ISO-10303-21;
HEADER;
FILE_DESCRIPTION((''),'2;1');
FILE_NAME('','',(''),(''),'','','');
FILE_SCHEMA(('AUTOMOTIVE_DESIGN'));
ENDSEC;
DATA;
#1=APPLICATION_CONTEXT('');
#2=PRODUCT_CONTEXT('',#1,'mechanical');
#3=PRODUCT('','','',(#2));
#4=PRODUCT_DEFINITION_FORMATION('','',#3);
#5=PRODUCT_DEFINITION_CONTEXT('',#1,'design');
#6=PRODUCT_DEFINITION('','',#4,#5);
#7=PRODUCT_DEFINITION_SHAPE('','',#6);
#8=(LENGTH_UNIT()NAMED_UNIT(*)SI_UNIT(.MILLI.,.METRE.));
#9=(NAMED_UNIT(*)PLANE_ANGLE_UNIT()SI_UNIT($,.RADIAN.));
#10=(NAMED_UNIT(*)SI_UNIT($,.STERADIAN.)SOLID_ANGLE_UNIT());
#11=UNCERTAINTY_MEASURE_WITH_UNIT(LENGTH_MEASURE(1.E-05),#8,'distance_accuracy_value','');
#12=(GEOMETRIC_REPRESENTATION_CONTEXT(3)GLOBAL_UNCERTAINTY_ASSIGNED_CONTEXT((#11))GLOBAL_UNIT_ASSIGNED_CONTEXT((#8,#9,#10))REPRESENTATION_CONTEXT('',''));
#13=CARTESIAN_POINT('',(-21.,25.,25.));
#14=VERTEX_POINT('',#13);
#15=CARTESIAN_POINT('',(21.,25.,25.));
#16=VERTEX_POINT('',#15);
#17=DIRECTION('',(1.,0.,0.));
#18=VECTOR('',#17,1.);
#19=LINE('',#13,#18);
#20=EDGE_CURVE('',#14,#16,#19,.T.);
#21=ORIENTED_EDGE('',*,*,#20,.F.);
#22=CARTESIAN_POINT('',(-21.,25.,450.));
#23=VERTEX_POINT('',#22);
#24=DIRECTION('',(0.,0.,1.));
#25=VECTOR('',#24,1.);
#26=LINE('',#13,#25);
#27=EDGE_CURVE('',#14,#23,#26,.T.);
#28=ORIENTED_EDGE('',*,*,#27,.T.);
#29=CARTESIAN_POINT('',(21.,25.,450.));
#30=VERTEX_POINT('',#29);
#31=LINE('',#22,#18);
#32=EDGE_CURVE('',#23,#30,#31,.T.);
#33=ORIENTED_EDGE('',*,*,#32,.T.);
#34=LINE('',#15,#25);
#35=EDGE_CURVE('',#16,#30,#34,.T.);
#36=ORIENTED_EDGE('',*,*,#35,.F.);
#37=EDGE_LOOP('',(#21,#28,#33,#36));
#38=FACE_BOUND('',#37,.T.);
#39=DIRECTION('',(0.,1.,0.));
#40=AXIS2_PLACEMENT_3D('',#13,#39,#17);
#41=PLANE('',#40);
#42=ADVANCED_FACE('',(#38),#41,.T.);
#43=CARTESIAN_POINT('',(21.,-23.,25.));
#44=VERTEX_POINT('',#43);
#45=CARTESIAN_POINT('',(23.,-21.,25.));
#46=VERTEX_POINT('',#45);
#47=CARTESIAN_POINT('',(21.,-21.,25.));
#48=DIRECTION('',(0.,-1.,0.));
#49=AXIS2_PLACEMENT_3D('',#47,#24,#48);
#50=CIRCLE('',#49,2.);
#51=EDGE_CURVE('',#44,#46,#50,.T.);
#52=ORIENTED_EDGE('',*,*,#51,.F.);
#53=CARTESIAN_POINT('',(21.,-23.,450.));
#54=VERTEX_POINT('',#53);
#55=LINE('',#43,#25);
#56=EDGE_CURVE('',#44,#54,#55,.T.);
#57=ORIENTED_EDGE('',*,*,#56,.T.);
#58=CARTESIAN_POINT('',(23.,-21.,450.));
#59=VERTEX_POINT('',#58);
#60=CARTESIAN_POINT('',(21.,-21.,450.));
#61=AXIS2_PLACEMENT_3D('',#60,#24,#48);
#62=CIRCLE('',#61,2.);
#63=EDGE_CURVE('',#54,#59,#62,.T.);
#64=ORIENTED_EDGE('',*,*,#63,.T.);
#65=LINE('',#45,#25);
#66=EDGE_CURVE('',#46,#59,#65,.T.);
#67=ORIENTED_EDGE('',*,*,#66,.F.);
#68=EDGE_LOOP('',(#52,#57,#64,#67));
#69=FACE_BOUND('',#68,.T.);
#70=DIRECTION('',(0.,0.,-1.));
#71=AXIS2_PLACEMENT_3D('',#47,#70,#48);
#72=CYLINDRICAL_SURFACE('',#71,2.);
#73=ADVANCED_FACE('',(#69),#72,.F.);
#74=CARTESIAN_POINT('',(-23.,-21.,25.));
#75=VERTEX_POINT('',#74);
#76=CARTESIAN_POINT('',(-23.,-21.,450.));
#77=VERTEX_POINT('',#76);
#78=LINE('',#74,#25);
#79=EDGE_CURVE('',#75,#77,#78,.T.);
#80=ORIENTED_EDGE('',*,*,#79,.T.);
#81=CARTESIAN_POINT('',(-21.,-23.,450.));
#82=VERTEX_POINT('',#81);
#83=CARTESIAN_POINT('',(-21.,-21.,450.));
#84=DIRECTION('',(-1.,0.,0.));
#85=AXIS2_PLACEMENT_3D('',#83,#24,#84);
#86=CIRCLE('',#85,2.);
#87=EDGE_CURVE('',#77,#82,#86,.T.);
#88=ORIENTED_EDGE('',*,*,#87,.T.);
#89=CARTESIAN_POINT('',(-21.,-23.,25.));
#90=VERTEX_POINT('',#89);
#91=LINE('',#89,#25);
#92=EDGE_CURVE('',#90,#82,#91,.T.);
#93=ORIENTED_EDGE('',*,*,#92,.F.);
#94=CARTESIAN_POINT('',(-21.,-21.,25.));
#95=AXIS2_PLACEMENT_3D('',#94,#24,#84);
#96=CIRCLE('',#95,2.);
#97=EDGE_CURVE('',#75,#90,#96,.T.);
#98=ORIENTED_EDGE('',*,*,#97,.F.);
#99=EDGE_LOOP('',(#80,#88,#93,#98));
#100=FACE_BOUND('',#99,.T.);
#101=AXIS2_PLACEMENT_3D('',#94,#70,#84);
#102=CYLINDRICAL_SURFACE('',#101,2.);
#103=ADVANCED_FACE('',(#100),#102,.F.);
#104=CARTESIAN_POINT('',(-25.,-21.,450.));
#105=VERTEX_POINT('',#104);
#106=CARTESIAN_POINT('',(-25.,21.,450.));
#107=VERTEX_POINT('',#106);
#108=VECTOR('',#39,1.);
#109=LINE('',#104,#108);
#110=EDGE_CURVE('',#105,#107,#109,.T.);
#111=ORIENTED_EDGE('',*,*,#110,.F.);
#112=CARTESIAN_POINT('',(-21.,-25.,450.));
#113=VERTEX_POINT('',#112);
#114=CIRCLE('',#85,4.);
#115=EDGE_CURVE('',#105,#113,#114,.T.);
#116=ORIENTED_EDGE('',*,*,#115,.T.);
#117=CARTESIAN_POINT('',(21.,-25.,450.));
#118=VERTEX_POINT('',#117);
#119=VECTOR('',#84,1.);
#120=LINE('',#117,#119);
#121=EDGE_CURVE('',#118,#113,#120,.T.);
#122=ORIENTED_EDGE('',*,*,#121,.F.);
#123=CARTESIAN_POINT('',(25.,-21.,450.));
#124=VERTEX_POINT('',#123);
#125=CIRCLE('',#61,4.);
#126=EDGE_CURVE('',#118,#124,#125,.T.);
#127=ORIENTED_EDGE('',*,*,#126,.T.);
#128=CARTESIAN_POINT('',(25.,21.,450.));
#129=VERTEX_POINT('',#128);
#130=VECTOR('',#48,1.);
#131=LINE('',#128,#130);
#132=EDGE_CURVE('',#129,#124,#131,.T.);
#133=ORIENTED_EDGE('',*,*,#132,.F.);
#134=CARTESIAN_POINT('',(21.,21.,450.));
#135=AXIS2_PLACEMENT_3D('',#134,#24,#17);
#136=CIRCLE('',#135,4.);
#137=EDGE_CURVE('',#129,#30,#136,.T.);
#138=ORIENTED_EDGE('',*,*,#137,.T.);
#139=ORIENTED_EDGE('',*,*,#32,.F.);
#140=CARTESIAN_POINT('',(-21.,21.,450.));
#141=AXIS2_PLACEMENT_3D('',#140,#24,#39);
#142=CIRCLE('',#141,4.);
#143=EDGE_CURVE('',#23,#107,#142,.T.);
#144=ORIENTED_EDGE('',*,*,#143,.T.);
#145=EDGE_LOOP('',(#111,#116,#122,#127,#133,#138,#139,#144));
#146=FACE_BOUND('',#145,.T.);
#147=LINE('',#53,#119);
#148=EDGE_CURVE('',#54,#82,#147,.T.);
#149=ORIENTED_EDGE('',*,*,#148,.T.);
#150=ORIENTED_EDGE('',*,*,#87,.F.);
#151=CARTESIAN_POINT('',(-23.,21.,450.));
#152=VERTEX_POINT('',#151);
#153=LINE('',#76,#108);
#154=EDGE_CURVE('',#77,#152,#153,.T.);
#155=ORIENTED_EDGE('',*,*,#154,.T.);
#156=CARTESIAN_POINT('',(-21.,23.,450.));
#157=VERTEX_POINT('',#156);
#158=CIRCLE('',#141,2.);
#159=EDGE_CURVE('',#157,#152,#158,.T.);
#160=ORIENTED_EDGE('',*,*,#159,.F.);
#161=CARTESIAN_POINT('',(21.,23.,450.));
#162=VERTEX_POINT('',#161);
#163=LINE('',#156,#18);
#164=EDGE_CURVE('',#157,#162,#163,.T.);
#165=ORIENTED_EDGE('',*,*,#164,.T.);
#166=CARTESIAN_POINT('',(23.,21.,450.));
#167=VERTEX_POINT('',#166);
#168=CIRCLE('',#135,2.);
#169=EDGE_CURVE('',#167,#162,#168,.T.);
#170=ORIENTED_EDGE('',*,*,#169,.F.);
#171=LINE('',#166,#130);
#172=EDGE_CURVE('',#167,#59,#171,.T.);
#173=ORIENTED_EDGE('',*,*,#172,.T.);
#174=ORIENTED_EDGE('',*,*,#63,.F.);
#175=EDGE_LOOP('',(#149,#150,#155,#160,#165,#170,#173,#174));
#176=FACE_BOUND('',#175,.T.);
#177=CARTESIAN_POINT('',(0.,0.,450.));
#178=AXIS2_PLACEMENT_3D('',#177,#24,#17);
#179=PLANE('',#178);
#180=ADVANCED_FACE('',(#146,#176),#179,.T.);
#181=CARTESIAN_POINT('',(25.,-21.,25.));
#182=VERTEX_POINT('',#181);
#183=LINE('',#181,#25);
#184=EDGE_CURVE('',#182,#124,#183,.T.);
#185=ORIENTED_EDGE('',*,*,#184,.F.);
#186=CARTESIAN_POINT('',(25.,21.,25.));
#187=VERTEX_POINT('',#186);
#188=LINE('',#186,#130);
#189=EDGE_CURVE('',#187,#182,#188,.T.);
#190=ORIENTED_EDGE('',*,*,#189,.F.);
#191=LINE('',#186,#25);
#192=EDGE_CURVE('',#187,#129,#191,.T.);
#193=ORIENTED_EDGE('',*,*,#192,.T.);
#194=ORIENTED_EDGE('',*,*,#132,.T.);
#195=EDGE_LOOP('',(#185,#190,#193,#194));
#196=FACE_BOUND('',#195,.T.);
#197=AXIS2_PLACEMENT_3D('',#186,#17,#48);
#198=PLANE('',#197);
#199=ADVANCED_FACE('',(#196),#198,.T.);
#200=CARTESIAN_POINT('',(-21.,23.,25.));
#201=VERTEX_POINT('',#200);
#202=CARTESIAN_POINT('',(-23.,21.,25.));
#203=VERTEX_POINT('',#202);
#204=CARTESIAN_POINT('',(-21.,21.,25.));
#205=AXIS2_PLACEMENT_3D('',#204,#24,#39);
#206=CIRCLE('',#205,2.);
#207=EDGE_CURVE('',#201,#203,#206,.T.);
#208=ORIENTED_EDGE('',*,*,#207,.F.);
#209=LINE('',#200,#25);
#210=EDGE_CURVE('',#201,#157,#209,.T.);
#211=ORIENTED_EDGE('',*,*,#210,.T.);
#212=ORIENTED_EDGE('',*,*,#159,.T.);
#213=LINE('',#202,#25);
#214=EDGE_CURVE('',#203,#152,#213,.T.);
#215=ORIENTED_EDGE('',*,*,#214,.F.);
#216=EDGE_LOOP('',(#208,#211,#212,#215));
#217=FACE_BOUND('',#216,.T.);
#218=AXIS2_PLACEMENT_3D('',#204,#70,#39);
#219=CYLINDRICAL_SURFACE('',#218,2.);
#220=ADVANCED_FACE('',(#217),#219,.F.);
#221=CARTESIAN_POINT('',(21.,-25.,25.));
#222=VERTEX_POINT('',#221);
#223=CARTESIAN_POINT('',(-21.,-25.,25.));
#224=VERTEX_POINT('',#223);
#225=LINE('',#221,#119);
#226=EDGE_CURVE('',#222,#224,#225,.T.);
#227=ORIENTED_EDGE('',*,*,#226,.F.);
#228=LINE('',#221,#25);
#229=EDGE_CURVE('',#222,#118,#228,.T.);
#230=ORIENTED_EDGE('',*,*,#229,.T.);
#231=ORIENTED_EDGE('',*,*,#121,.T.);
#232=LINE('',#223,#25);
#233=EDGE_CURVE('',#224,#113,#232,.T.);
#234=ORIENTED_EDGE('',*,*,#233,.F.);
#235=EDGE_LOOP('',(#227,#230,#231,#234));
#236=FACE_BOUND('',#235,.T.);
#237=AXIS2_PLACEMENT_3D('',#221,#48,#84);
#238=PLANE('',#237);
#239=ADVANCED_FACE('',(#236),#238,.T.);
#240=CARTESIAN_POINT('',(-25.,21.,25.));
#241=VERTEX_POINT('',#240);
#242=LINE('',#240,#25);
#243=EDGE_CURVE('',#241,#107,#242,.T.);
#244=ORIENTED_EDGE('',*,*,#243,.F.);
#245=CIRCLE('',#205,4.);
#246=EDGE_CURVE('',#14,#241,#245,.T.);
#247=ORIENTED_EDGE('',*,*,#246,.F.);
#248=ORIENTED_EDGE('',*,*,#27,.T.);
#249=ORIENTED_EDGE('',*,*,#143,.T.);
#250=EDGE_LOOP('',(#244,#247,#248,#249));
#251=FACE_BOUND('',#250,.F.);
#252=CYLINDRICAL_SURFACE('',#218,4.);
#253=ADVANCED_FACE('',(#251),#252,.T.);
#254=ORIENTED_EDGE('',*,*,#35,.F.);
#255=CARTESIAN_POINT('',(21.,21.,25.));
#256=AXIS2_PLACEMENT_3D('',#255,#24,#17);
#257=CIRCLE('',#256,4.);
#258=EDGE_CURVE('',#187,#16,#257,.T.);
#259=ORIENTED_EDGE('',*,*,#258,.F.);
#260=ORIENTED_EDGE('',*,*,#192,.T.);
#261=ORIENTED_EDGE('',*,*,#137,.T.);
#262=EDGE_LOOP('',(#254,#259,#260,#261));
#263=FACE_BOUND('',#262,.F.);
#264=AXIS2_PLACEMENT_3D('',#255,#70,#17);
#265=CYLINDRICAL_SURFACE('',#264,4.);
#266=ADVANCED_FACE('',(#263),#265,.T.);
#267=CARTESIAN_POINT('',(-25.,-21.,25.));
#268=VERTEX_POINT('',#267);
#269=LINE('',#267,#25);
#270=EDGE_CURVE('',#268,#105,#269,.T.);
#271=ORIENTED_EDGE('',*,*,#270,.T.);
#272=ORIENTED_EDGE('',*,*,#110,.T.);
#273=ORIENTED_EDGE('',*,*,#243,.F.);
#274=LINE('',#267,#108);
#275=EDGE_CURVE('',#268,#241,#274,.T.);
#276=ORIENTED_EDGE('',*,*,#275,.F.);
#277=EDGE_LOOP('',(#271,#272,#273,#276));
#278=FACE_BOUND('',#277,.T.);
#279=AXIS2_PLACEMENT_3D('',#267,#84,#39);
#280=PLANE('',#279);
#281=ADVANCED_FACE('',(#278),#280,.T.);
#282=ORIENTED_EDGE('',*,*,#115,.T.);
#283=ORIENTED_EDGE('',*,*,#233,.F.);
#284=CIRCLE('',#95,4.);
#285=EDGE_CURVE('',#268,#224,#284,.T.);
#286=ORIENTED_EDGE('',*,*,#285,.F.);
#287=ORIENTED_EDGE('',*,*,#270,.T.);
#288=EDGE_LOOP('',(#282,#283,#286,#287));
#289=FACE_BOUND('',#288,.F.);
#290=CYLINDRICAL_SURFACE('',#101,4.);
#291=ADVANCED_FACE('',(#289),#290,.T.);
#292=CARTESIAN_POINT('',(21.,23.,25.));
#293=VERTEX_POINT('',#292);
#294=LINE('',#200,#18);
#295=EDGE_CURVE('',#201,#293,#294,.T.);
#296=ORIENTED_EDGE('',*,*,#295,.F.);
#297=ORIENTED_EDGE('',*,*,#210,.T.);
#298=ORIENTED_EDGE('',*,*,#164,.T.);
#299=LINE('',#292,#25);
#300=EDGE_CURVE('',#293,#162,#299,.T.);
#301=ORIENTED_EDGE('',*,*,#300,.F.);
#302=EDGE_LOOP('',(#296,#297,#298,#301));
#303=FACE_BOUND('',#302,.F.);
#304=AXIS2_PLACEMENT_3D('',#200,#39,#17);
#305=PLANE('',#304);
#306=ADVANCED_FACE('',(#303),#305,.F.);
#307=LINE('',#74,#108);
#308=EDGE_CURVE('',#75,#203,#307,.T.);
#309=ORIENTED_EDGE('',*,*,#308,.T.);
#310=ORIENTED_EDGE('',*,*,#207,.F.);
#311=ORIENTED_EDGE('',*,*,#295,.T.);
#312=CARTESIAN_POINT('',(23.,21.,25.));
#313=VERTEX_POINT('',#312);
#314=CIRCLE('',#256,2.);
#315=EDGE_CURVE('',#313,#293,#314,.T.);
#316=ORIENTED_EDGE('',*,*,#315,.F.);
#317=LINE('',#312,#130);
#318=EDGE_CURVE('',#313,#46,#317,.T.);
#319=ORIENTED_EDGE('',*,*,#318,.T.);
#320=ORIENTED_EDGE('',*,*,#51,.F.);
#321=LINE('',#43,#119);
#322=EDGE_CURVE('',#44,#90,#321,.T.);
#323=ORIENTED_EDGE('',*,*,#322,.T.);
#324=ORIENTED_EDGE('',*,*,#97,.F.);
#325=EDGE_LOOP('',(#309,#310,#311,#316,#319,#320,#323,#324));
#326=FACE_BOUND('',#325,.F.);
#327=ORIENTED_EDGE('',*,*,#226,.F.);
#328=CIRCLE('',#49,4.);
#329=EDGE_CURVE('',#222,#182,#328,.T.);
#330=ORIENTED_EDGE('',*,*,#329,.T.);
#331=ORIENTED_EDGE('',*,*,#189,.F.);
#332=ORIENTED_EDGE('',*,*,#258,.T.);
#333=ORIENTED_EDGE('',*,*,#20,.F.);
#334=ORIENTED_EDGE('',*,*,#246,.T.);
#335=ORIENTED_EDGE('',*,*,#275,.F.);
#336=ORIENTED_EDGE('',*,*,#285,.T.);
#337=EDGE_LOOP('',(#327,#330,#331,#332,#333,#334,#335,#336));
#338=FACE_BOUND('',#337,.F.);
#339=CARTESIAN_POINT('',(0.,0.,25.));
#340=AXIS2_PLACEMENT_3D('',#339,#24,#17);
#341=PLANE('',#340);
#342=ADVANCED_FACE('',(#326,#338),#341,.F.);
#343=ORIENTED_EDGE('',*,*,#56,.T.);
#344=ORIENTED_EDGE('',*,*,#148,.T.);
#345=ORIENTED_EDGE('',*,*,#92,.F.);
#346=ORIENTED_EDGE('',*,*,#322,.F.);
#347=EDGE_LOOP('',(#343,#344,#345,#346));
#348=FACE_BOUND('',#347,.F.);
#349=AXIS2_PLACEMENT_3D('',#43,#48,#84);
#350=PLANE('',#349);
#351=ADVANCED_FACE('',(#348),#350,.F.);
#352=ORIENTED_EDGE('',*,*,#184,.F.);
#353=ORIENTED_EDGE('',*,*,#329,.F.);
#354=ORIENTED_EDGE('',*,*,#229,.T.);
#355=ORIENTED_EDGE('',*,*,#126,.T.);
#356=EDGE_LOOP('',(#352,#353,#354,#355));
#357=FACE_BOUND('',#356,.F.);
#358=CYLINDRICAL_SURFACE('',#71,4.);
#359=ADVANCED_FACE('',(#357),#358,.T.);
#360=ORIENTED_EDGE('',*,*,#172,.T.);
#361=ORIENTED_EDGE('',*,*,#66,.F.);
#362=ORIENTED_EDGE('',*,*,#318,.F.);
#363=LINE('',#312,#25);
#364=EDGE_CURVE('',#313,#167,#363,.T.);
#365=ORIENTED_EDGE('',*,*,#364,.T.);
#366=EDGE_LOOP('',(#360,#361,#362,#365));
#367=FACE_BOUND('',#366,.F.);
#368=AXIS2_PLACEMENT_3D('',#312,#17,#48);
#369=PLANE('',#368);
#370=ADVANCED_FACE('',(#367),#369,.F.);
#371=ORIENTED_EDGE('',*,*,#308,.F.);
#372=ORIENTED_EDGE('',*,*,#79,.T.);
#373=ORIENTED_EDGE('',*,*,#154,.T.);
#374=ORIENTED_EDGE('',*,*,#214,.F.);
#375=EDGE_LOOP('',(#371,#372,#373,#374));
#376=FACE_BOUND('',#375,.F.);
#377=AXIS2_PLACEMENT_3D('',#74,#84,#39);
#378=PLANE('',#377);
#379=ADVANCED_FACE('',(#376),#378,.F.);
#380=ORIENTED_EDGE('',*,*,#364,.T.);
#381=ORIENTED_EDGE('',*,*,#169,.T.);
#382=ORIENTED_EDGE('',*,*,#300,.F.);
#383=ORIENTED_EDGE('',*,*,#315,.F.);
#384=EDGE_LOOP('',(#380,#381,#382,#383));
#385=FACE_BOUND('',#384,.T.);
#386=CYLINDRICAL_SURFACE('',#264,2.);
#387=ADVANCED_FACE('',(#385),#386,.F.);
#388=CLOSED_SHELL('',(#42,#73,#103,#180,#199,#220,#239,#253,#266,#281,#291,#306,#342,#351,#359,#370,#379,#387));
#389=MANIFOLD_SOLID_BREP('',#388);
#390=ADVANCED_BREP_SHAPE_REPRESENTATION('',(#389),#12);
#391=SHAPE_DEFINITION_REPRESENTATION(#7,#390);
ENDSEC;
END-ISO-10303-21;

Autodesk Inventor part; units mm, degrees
ref_plane "Start Plane" through (0, 0, 25) normal (0, 0, 1) x (1, 0, 0)
ref_plane "End Plane" through (0, 0, 450) normal (0, 0, 1) x (1, 0, 0)
sketch "Sketch" plane through (0, 0, 0) normal (0, 0, 1) x (1, 0, 0)
  line L0 (-25, -21) -> (-25, 21)
  line L1 (-21, 25) -> (21, 25)
  line L2 (25, 21) -> (25, -21)
  line L3 (21, -25) -> (-21, -25)
  arc A0 (-25, -21) -> (-21, -25) centre (-21, -21) ccw
  arc A1 (25, 21) -> (21, 25) centre (21, 21) ccw
  arc A2 (-21, 25) -> (-25, 21) centre (-21, 21) ccw
  arc A3 (21, -25) -> (25, -21) centre (21, -21) ccw
  arc A4 (-21, 23) -> (-23, 21) centre (-21, 21) ccw
  line L4 (-21, 23) -> (21, 23)
  arc A5 (23, 21) -> (21, 23) centre (21, 21) ccw
  line L5 (23, 21) -> (23, -21)
  arc A6 (21, -23) -> (23, -21) centre (21, -21) ccw
  line L6 (21, -23) -> (-21, -23)
  arc A7 (-23, -21) -> (-21, -23) centre (-21, -21) ccw
  line L7 (-23, -21) -> (-23, 21)
  line L8 (0, 36.1598) -> (0, -36.1598) construction
  line L9 (-36.1598, 0) -> (36.1598, 0) construction
  dimension "d7" = 4
  dimension "d9" = 50
  dimension "d11" = 50
  dimension "d12" = 2
  dimension "d15" = 25
  dimension "d16" = 25
extrude "Body" add sketch "Sketch" along normal up to surface (425 mm away) from surface at 25
sketch "Sketch3" plane through (0, 0, 0) normal (0, 0, 1) x (1, 0, 0)
  line L0 (0, 0) -> (10, 0)
ref_plane "Work Plane3" through (0, 0, 0) normal (0, -1, 0) x (1, 0, 0)
sketch "Sketch4" plane through (0, 0, 0) normal (0, -1, 0) x (1, 0, 0)
  line L0 (-2, 25) -> (12, 25)
  line L1 (-2, 450) -> (12, 450)
  dimension "d18" = 425
ref_plane "Work Plane4" through (0, 20, 25) normal (0, 0, -1) x (-1, 0, 0)
split "Split1" plane through (0, 20, 25) removes the side toward (0, 0, -1)
equation "\"d7\" = G_IR"
equation "\"d9\" = G_W"
equation "\"d11\" = G_H"
equation "\"d12\" = G_T"
equation "\"d15\" = 0.5 * d9"
equation "\"d16\" = 0.5 * d11"
equation "\"d3\" = G_L"
equation "\"G_W\" = 50"
equation "\"G_H\" = 50"
equation "\"G_T\" = 2"
equation "\"G_IR\" = 4"
equation "\"G_L\" = d18"
equation "\"G_OFFSET_START\" = -25"
equation "\"G_OFFSET_END\" = 0"
equation "\"d13\" = -G_OFFSET_START"
properties part number "ISO 10799-2 - 50x50x2 - 425" material "Galvanizado catalogo 1"
